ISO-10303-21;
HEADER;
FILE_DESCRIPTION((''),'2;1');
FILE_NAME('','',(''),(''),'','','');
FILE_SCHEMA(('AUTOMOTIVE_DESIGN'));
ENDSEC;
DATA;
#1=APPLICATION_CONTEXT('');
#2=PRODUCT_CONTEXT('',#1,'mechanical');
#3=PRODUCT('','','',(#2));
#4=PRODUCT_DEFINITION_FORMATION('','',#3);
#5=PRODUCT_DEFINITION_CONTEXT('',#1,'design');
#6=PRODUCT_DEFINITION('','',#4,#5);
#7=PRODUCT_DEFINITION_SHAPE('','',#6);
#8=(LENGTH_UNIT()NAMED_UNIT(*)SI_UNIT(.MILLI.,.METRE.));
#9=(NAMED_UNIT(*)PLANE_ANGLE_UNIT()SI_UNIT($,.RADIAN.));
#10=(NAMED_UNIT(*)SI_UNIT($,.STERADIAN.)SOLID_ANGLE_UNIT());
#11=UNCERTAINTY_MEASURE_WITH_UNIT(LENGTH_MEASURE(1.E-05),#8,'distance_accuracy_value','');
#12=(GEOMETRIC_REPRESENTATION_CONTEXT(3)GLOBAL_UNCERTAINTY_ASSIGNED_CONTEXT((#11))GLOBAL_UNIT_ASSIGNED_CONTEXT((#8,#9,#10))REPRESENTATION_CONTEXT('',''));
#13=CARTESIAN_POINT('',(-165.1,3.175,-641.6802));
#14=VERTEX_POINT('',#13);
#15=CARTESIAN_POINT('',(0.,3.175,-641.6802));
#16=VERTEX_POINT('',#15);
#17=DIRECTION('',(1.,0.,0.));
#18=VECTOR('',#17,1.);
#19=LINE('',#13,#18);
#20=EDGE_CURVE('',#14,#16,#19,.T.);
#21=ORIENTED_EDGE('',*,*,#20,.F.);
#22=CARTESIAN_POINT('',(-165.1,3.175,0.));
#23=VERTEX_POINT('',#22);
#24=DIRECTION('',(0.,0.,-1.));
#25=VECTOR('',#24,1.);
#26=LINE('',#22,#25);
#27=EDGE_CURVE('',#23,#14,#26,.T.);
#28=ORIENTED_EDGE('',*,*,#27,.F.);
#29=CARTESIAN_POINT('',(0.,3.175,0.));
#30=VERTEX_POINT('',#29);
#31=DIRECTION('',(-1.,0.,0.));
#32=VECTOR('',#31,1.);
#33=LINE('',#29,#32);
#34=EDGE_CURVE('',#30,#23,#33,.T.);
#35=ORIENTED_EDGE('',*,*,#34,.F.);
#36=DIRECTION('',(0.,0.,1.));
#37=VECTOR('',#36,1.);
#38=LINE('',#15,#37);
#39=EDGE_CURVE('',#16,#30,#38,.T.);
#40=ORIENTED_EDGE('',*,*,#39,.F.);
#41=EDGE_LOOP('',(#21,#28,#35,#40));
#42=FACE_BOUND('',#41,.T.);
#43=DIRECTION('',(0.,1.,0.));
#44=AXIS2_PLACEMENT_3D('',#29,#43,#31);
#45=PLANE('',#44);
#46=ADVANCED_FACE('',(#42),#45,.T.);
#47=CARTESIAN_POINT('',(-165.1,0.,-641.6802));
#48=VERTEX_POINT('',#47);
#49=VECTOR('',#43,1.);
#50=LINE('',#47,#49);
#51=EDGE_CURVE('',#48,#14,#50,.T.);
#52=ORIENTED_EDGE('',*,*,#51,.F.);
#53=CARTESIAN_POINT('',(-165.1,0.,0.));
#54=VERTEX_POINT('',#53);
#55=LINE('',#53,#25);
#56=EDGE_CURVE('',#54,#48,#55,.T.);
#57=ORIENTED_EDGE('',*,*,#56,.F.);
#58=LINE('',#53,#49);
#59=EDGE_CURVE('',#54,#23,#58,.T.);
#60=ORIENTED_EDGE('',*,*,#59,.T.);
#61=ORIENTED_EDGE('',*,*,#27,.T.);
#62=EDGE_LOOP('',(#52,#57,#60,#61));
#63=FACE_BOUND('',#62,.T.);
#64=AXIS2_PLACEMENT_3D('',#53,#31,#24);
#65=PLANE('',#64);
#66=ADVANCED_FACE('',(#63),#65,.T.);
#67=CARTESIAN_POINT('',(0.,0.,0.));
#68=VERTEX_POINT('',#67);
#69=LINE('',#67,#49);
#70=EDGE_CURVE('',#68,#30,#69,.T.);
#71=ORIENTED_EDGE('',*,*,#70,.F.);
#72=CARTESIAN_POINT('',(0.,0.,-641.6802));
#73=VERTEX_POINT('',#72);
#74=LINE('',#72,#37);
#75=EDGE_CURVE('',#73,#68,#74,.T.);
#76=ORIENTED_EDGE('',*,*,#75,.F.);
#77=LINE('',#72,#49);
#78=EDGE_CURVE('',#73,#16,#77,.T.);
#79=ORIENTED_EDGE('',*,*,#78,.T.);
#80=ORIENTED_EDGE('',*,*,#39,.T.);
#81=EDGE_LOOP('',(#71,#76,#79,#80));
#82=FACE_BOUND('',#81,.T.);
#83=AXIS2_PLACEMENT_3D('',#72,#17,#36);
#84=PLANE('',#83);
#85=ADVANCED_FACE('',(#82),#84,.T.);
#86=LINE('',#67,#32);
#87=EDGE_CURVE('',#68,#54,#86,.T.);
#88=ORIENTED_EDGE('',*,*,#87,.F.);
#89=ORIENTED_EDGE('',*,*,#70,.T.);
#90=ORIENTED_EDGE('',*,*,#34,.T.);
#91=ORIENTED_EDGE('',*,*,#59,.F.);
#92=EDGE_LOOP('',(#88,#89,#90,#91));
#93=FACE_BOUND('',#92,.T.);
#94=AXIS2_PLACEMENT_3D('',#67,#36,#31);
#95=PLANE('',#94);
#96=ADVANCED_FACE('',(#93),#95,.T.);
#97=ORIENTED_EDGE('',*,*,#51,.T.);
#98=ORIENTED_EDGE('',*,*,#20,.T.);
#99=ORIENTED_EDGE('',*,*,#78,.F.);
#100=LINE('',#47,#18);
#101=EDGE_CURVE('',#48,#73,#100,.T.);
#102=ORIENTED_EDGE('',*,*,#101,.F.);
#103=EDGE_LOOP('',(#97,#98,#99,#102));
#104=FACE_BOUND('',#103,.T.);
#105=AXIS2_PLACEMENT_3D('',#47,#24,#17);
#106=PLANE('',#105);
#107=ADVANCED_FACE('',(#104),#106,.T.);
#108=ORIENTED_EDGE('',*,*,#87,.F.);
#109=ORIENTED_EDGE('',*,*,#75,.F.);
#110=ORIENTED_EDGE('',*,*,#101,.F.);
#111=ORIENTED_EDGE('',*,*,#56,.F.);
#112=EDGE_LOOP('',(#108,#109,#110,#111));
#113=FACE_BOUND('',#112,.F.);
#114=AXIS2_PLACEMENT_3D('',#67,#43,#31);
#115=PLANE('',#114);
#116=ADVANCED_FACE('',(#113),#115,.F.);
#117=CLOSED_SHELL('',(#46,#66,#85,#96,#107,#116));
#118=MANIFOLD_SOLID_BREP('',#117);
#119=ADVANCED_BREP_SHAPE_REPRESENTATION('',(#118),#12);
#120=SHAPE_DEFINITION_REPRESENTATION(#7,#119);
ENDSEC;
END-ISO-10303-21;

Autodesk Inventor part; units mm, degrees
ref_plane "YZ Plane" through (0, 0, 0) normal (1, 0, 0) x (0, 1, 0)
ref_plane "XZ Plane" through (0, 0, 0) normal (0, 1, 0) x (-1, 0, 0)
ref_plane "XY Plane" through (0, 0, 0) normal (0, 0, 1) x (1, 0, 0)
sketch "Sketch1" plane through (0, 0, 0) normal (0, 1, 0) x (-1, 0, 0)
  line L0 (0, 0) -> (165.1, 0)
  line L1 (165.1, 0) -> (165.1, -641.6802)
  line L2 (165.1, -641.6802) -> (0, -641.6802)
  line L3 (0, -641.6802) -> (0, 0)
  dimension "d0" = 165.1
  dimension "d1" = 641.6802
extrude "Extrusion1" add sketch "Sketch1" along normal blind 3.175
properties part number "Starter_Shingle_With_Dimensions_6.5_x_25.763_Inches"
